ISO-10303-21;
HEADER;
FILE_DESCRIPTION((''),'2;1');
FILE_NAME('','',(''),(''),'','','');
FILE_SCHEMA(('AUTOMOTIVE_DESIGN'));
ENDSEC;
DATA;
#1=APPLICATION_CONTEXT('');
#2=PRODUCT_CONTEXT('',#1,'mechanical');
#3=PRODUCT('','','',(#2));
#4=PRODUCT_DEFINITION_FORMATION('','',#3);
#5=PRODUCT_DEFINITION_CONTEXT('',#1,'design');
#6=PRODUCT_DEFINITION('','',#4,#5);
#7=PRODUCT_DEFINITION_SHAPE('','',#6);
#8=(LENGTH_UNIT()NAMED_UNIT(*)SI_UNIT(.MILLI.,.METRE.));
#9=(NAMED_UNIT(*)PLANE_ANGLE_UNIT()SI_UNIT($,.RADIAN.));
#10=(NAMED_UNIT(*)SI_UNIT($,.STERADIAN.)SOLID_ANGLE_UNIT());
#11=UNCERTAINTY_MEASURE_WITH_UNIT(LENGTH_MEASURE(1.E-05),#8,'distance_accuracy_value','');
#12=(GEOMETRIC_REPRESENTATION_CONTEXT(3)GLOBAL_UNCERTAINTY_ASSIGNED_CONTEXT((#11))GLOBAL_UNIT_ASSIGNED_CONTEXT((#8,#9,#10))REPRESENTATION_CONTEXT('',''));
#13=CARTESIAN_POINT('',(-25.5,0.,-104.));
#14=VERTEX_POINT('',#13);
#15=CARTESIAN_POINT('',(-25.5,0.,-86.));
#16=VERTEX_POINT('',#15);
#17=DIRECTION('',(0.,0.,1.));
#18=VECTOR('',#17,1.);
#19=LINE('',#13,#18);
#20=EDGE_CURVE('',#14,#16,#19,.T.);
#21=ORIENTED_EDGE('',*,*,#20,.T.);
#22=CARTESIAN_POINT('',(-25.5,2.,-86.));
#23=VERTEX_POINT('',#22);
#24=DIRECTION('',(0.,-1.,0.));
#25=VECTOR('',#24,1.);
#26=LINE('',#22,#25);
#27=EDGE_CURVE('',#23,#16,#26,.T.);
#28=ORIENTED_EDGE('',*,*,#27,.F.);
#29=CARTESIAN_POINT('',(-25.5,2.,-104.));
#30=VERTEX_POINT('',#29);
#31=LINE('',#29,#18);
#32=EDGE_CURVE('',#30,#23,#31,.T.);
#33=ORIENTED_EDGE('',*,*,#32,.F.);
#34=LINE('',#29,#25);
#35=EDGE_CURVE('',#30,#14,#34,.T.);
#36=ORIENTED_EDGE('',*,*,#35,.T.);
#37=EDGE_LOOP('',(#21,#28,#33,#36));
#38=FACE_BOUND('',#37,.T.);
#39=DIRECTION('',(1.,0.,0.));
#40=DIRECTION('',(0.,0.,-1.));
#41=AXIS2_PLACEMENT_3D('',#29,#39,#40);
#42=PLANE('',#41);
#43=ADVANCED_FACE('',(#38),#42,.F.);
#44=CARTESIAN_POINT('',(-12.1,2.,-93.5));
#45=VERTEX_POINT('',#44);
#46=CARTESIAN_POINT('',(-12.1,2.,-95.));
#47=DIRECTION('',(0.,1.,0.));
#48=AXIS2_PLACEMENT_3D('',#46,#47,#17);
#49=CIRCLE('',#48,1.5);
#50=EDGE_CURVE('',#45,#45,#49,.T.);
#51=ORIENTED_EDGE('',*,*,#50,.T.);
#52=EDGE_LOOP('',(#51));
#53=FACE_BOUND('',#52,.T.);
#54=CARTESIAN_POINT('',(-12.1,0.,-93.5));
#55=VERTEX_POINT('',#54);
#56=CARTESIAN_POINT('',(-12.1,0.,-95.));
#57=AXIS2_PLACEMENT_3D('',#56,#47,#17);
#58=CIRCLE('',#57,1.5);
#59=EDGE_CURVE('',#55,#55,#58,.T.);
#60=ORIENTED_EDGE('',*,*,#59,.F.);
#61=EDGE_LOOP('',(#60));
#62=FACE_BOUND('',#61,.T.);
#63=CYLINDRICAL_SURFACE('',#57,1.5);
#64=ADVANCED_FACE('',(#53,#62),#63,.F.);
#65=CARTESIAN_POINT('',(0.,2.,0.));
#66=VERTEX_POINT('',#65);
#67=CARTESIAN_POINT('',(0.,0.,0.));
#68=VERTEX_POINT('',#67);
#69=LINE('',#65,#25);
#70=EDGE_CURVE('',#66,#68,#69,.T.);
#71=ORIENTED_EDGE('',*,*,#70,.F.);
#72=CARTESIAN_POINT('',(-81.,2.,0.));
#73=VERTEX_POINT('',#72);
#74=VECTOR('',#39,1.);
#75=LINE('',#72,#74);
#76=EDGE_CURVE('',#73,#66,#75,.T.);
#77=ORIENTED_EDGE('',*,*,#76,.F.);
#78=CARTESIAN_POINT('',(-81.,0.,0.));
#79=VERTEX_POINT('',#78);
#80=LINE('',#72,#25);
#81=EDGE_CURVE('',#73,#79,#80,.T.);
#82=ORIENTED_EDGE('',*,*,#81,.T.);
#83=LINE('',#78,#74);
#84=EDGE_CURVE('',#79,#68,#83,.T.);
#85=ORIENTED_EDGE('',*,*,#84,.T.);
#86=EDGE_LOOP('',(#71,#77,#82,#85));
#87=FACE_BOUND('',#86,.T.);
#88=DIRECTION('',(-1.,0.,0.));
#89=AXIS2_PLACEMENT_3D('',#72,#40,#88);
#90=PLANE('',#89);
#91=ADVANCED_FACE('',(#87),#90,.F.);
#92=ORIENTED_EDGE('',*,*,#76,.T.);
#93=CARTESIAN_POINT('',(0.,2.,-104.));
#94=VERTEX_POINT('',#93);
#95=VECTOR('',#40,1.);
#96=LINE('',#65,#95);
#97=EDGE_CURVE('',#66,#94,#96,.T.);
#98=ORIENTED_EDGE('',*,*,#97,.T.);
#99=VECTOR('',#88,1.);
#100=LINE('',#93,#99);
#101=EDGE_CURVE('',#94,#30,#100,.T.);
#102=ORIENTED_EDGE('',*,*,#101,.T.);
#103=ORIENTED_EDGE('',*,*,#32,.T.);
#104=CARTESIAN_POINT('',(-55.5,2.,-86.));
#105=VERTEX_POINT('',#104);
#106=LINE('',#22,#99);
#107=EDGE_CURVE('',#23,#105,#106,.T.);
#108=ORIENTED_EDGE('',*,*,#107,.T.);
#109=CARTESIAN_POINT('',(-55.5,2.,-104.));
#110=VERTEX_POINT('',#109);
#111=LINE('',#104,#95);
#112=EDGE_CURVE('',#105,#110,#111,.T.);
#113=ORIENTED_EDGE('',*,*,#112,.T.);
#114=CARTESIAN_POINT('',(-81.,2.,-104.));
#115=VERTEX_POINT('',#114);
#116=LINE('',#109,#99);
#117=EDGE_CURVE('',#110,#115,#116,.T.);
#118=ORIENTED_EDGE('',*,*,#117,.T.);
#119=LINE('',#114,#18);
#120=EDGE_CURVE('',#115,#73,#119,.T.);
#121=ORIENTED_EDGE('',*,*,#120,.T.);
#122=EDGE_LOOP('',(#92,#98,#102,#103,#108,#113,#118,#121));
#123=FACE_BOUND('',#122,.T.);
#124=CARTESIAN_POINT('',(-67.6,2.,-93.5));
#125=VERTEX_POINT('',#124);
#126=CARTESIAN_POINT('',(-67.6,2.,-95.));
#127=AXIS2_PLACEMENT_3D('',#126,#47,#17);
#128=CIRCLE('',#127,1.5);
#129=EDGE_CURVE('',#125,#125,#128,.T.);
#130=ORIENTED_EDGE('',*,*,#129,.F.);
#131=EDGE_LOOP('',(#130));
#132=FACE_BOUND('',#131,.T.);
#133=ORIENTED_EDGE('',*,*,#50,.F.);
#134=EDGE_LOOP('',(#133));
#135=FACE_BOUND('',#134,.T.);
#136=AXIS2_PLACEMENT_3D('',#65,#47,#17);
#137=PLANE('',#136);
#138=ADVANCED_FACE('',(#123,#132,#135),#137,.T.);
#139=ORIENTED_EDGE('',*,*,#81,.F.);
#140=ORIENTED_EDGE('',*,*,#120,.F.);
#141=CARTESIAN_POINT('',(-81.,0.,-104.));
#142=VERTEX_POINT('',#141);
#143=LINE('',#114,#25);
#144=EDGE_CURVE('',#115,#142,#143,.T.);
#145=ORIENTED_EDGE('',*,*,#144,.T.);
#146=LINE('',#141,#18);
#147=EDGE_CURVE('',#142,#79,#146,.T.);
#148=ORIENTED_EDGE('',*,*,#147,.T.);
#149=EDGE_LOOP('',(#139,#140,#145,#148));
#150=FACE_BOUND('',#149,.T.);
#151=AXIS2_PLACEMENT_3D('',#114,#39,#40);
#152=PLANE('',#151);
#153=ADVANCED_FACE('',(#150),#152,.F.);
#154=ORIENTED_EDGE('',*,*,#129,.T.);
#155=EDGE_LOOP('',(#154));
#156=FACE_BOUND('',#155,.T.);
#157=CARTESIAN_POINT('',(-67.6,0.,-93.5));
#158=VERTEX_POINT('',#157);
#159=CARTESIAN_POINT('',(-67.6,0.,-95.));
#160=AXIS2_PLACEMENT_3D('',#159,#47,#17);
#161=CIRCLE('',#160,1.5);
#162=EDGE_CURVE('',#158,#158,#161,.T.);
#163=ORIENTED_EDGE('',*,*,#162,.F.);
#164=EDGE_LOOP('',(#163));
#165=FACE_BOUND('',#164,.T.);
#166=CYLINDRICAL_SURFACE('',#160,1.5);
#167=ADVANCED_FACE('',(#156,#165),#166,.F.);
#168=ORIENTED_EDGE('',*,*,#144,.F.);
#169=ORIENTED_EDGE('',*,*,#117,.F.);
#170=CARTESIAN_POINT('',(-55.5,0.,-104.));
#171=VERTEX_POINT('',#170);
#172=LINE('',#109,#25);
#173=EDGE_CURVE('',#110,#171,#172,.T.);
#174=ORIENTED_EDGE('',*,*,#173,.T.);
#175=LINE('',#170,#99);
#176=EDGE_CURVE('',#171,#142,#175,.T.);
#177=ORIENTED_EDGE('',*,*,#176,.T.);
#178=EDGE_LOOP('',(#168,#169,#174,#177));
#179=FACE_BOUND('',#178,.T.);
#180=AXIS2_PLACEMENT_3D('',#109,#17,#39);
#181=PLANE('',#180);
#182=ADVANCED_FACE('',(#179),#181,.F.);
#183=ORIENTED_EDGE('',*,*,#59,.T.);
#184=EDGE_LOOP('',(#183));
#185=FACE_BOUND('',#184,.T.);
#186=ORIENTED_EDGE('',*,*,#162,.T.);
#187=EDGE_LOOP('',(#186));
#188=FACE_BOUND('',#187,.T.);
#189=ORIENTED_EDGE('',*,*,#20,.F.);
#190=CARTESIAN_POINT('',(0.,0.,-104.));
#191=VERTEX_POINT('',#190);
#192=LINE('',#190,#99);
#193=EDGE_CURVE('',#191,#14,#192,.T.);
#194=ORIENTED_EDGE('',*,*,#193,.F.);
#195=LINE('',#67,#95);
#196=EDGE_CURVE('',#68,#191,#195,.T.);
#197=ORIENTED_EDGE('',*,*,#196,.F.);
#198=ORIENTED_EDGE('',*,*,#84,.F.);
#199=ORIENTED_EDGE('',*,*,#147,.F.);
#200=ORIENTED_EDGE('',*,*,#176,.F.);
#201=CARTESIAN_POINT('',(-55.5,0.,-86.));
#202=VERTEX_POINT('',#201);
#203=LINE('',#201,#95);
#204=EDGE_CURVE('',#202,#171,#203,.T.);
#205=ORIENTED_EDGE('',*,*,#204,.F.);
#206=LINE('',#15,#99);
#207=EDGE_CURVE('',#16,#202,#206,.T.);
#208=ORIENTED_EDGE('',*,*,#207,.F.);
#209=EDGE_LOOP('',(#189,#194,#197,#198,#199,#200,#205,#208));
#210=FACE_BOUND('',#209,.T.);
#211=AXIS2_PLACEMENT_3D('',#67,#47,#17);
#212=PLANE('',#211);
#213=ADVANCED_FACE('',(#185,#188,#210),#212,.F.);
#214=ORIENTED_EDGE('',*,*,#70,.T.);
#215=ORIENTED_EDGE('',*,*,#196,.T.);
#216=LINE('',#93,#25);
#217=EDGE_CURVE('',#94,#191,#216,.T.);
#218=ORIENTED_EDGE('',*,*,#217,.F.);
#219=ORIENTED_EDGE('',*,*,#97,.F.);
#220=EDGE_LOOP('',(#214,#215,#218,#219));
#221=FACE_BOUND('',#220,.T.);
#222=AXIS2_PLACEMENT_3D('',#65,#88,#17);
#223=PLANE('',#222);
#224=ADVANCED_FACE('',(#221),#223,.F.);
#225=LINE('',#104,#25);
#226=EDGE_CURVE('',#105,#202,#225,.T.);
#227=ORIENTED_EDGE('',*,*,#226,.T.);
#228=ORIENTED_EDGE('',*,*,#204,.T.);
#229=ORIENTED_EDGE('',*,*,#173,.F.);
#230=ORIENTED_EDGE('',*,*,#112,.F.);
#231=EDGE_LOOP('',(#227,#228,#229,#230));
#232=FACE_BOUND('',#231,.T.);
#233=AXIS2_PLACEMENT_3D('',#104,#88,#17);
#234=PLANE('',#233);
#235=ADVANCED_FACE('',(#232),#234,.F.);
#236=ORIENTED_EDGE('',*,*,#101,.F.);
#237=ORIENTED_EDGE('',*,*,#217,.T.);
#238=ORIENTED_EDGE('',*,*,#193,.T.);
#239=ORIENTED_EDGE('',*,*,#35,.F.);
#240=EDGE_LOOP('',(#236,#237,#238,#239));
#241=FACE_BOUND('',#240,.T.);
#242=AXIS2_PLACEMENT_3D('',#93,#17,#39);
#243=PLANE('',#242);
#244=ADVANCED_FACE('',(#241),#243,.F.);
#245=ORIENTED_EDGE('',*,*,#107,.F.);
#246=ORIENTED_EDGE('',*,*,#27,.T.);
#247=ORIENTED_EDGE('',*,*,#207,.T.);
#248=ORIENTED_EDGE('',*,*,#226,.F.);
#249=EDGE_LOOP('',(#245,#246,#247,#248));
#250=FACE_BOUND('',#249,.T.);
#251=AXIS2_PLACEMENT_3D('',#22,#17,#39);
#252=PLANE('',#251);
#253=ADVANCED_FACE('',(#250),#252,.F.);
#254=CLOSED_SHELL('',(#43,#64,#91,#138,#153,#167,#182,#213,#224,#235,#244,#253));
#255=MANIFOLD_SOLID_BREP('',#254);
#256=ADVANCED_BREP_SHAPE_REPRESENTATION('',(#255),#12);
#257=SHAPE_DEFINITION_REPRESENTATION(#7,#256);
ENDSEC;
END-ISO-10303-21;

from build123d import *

# Parameters (mm, degrees)
SALIENTE_EXTRUIR1_DEPTH = 2
CROQUIS2_R              = 1.5
CORTAR_EXTRUIR1_DEPTH   = 2


with BuildPart() as part:
    # Croquis1 → Saliente-Extruir1 (new body)
    with BuildSketch(Plane(origin=(0, 0, 0), x_dir=(1, 0, 0), z_dir=(0, 1, 0))):
        Polygon((0, 0), (0, 104), (-25.5, 104), (-25.5, 86), (-55.5, 86), (-55.5, 104), (-81, 104), (-81, 0), align=None)
    extrude(amount=SALIENTE_EXTRUIR1_DEPTH)

    # Croquis2 → Cortar-Extruir1 (cut)
    with BuildSketch(Plane(origin=(0, 2, 0), x_dir=(1, 0, 0), z_dir=(0, 1, 0))):
        with Locations((-67.6, 95)):
            Circle(CROQUIS2_R)
        with Locations((-12.1, 95)):
            Circle(CROQUIS2_R)
    extrude(amount=-CORTAR_EXTRUIR1_DEPTH, mode=Mode.SUBTRACT)


solid = part.part
